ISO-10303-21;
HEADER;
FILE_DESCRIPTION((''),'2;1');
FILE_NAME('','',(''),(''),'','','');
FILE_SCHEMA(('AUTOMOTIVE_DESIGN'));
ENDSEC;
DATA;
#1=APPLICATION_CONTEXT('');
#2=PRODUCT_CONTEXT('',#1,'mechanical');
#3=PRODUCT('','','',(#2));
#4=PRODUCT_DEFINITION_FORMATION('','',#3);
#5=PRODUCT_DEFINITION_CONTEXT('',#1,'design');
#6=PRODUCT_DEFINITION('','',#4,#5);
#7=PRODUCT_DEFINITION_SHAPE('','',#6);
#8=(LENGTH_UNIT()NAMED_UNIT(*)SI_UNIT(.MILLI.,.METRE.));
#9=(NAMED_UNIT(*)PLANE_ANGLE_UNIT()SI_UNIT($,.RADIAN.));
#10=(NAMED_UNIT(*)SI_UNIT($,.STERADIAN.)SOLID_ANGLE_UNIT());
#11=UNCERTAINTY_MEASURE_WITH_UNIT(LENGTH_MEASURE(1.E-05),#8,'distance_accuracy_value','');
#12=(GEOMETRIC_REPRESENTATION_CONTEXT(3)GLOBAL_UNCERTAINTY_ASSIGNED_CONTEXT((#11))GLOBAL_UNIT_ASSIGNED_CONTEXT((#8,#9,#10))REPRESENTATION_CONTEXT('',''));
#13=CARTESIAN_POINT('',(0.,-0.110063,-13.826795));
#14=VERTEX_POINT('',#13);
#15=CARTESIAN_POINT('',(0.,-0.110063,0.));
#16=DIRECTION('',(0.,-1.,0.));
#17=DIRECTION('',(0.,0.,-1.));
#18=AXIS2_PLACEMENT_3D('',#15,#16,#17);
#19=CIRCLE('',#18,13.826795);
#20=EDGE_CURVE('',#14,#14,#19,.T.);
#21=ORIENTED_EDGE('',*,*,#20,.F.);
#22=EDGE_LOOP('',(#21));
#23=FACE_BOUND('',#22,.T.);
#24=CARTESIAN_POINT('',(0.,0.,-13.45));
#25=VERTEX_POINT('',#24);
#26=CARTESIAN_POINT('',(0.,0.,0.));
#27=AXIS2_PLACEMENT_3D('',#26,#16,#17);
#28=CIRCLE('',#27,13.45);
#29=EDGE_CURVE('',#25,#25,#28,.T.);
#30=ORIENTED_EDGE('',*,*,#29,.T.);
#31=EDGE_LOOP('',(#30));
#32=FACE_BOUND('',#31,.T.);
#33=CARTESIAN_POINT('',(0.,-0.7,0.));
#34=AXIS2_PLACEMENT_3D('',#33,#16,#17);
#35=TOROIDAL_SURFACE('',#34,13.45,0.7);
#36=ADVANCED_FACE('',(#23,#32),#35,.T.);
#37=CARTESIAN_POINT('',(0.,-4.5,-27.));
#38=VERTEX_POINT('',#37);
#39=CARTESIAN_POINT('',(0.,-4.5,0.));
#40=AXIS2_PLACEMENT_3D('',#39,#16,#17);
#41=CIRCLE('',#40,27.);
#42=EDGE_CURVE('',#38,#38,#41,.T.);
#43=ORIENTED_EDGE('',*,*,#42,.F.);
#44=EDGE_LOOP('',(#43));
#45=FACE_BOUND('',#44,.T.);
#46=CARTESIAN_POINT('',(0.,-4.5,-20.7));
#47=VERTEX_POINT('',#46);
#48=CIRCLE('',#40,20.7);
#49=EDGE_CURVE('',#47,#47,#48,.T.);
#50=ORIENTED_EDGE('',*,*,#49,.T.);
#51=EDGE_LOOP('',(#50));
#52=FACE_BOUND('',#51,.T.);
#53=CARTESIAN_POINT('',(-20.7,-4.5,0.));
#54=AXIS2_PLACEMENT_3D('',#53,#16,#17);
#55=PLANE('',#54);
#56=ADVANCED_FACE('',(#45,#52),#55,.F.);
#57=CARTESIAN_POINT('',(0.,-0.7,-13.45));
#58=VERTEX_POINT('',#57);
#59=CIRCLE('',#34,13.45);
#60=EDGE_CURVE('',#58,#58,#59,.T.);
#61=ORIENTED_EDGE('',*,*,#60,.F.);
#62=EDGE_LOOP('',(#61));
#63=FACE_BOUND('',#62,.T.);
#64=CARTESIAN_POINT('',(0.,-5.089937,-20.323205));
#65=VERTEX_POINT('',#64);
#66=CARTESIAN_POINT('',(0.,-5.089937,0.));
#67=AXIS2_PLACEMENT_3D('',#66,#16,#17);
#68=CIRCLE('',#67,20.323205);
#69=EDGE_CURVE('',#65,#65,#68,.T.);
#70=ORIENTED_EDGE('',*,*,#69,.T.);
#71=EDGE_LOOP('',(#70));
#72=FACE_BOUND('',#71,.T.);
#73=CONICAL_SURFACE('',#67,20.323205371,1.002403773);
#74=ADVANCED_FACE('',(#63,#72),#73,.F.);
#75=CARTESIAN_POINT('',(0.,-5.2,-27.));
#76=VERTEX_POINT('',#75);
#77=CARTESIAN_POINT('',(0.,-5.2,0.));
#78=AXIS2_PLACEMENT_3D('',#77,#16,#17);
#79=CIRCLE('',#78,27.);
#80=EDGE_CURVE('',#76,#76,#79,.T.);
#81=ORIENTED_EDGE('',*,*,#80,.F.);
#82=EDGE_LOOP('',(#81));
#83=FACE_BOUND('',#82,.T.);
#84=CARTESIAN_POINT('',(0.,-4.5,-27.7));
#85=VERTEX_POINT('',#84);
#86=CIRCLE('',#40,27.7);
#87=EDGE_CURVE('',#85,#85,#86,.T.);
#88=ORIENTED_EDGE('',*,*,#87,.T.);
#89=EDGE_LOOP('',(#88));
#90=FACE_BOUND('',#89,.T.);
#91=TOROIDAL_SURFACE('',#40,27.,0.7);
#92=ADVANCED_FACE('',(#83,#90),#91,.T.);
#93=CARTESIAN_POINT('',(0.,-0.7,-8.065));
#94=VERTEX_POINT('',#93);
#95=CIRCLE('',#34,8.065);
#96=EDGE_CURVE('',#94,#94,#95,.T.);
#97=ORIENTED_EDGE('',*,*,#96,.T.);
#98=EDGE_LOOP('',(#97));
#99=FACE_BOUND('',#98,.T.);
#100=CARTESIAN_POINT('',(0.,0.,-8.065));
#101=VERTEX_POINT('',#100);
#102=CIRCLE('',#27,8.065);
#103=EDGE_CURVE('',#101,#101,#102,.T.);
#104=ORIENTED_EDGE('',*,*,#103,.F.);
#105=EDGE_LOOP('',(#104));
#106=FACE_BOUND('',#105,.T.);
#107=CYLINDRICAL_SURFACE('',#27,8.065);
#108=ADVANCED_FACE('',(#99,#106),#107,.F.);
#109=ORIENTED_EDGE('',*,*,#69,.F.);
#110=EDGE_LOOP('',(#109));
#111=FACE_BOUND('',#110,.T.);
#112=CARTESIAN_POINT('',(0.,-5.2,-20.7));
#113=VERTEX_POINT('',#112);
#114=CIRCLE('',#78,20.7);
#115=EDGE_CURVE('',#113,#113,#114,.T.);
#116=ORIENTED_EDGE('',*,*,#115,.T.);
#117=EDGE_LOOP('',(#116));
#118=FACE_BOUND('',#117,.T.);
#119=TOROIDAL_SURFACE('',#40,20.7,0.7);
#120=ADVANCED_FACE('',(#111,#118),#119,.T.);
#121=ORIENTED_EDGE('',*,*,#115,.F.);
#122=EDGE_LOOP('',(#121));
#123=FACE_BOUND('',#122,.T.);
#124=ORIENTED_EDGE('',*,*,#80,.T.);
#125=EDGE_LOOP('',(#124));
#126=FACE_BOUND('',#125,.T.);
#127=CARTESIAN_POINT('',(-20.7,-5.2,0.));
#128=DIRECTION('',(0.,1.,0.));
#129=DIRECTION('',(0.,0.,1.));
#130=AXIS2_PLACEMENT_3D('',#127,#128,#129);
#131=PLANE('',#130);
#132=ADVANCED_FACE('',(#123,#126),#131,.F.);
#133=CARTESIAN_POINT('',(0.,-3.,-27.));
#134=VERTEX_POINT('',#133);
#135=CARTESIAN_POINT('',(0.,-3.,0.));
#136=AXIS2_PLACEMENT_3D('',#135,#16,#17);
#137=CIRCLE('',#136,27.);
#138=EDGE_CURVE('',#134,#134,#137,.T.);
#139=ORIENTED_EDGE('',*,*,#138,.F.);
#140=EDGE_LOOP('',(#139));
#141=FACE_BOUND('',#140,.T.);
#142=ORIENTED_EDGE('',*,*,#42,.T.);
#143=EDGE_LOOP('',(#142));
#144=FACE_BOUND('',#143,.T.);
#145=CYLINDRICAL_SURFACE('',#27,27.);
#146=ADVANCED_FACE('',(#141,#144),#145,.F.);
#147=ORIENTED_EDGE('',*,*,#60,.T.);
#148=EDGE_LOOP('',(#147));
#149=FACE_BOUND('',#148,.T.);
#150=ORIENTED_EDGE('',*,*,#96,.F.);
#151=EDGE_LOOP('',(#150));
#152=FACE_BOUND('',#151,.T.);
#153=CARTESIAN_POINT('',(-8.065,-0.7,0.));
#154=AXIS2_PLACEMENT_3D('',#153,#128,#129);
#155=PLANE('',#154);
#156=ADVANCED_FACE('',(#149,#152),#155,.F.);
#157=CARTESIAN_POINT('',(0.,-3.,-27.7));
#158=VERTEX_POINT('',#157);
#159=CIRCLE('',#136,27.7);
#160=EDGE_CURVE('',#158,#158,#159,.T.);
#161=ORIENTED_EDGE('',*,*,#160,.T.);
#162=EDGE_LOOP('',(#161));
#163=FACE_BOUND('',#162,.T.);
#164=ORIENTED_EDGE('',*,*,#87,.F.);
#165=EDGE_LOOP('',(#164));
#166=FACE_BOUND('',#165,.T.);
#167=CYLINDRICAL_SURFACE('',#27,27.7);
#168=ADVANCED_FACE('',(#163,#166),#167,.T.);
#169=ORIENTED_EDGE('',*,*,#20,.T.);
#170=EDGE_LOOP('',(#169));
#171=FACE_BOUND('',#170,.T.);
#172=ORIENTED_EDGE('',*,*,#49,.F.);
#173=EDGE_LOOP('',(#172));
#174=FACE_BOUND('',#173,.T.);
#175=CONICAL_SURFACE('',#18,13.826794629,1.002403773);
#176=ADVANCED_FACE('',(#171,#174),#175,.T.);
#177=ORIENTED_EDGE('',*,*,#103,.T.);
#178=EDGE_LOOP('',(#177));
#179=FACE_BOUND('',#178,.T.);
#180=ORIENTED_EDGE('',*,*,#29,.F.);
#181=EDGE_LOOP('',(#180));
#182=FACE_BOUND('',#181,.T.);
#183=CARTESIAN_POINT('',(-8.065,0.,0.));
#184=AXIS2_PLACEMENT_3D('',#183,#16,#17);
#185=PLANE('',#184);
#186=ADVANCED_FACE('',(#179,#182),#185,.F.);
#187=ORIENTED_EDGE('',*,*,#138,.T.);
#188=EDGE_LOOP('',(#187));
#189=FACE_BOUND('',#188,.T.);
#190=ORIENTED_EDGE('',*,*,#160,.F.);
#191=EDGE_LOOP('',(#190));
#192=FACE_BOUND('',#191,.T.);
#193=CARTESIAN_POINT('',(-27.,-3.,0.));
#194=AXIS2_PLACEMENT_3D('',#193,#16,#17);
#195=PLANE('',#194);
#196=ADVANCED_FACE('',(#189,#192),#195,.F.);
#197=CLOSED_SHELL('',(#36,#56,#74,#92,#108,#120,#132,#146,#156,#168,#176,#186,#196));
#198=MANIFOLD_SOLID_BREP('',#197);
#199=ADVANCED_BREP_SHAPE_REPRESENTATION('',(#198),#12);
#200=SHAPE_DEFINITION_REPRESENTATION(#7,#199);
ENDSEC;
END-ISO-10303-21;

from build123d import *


with BuildPart() as part:
    # Croquis1 → Revolución1 (revolve)
    with BuildSketch(Plane.XY, mode=Mode.PRIVATE) as revoluci_n1_sk:
        with BuildLine():
            Line((-8.065, 0), (-13.45, 0))
            ThreePointArc((-13.45, 0), (-13.646270241, -0.028078879), (-13.826794629, -0.110062878))
            Line((-13.826794629, -0.110062878), (-20.7, -4.5))
            Line((-20.7, -4.5), (-27, -4.5))
            Line((-27, -4.5), (-27, -3))
            Line((-27, -3), (-27.7, -3))
            Line((-27.7, -3), (-27.7, -4.5))
            ThreePointArc((-27.7, -4.5), (-27.494974747, -4.994974747), (-27, -5.2))
            Line((-27, -5.2), (-20.7, -5.2))
            ThreePointArc((-20.7, -5.2), (-20.503729759, -5.171921121), (-20.323205371, -5.089937122))
            Line((-20.323205371, -5.089937122), (-13.45, -0.7))
            Line((-13.45, -0.7), (-8.065, -0.7))
            Line((-8.065, -0.7), (-8.065, 0))
        make_face()
    revolve(revoluci_n1_sk.sketch.rotate(Axis((0, 0, 0), (0, 1, 0)), 270), axis=Axis((0, 0, 0), (0, 1, 0)))


solid = part.part
